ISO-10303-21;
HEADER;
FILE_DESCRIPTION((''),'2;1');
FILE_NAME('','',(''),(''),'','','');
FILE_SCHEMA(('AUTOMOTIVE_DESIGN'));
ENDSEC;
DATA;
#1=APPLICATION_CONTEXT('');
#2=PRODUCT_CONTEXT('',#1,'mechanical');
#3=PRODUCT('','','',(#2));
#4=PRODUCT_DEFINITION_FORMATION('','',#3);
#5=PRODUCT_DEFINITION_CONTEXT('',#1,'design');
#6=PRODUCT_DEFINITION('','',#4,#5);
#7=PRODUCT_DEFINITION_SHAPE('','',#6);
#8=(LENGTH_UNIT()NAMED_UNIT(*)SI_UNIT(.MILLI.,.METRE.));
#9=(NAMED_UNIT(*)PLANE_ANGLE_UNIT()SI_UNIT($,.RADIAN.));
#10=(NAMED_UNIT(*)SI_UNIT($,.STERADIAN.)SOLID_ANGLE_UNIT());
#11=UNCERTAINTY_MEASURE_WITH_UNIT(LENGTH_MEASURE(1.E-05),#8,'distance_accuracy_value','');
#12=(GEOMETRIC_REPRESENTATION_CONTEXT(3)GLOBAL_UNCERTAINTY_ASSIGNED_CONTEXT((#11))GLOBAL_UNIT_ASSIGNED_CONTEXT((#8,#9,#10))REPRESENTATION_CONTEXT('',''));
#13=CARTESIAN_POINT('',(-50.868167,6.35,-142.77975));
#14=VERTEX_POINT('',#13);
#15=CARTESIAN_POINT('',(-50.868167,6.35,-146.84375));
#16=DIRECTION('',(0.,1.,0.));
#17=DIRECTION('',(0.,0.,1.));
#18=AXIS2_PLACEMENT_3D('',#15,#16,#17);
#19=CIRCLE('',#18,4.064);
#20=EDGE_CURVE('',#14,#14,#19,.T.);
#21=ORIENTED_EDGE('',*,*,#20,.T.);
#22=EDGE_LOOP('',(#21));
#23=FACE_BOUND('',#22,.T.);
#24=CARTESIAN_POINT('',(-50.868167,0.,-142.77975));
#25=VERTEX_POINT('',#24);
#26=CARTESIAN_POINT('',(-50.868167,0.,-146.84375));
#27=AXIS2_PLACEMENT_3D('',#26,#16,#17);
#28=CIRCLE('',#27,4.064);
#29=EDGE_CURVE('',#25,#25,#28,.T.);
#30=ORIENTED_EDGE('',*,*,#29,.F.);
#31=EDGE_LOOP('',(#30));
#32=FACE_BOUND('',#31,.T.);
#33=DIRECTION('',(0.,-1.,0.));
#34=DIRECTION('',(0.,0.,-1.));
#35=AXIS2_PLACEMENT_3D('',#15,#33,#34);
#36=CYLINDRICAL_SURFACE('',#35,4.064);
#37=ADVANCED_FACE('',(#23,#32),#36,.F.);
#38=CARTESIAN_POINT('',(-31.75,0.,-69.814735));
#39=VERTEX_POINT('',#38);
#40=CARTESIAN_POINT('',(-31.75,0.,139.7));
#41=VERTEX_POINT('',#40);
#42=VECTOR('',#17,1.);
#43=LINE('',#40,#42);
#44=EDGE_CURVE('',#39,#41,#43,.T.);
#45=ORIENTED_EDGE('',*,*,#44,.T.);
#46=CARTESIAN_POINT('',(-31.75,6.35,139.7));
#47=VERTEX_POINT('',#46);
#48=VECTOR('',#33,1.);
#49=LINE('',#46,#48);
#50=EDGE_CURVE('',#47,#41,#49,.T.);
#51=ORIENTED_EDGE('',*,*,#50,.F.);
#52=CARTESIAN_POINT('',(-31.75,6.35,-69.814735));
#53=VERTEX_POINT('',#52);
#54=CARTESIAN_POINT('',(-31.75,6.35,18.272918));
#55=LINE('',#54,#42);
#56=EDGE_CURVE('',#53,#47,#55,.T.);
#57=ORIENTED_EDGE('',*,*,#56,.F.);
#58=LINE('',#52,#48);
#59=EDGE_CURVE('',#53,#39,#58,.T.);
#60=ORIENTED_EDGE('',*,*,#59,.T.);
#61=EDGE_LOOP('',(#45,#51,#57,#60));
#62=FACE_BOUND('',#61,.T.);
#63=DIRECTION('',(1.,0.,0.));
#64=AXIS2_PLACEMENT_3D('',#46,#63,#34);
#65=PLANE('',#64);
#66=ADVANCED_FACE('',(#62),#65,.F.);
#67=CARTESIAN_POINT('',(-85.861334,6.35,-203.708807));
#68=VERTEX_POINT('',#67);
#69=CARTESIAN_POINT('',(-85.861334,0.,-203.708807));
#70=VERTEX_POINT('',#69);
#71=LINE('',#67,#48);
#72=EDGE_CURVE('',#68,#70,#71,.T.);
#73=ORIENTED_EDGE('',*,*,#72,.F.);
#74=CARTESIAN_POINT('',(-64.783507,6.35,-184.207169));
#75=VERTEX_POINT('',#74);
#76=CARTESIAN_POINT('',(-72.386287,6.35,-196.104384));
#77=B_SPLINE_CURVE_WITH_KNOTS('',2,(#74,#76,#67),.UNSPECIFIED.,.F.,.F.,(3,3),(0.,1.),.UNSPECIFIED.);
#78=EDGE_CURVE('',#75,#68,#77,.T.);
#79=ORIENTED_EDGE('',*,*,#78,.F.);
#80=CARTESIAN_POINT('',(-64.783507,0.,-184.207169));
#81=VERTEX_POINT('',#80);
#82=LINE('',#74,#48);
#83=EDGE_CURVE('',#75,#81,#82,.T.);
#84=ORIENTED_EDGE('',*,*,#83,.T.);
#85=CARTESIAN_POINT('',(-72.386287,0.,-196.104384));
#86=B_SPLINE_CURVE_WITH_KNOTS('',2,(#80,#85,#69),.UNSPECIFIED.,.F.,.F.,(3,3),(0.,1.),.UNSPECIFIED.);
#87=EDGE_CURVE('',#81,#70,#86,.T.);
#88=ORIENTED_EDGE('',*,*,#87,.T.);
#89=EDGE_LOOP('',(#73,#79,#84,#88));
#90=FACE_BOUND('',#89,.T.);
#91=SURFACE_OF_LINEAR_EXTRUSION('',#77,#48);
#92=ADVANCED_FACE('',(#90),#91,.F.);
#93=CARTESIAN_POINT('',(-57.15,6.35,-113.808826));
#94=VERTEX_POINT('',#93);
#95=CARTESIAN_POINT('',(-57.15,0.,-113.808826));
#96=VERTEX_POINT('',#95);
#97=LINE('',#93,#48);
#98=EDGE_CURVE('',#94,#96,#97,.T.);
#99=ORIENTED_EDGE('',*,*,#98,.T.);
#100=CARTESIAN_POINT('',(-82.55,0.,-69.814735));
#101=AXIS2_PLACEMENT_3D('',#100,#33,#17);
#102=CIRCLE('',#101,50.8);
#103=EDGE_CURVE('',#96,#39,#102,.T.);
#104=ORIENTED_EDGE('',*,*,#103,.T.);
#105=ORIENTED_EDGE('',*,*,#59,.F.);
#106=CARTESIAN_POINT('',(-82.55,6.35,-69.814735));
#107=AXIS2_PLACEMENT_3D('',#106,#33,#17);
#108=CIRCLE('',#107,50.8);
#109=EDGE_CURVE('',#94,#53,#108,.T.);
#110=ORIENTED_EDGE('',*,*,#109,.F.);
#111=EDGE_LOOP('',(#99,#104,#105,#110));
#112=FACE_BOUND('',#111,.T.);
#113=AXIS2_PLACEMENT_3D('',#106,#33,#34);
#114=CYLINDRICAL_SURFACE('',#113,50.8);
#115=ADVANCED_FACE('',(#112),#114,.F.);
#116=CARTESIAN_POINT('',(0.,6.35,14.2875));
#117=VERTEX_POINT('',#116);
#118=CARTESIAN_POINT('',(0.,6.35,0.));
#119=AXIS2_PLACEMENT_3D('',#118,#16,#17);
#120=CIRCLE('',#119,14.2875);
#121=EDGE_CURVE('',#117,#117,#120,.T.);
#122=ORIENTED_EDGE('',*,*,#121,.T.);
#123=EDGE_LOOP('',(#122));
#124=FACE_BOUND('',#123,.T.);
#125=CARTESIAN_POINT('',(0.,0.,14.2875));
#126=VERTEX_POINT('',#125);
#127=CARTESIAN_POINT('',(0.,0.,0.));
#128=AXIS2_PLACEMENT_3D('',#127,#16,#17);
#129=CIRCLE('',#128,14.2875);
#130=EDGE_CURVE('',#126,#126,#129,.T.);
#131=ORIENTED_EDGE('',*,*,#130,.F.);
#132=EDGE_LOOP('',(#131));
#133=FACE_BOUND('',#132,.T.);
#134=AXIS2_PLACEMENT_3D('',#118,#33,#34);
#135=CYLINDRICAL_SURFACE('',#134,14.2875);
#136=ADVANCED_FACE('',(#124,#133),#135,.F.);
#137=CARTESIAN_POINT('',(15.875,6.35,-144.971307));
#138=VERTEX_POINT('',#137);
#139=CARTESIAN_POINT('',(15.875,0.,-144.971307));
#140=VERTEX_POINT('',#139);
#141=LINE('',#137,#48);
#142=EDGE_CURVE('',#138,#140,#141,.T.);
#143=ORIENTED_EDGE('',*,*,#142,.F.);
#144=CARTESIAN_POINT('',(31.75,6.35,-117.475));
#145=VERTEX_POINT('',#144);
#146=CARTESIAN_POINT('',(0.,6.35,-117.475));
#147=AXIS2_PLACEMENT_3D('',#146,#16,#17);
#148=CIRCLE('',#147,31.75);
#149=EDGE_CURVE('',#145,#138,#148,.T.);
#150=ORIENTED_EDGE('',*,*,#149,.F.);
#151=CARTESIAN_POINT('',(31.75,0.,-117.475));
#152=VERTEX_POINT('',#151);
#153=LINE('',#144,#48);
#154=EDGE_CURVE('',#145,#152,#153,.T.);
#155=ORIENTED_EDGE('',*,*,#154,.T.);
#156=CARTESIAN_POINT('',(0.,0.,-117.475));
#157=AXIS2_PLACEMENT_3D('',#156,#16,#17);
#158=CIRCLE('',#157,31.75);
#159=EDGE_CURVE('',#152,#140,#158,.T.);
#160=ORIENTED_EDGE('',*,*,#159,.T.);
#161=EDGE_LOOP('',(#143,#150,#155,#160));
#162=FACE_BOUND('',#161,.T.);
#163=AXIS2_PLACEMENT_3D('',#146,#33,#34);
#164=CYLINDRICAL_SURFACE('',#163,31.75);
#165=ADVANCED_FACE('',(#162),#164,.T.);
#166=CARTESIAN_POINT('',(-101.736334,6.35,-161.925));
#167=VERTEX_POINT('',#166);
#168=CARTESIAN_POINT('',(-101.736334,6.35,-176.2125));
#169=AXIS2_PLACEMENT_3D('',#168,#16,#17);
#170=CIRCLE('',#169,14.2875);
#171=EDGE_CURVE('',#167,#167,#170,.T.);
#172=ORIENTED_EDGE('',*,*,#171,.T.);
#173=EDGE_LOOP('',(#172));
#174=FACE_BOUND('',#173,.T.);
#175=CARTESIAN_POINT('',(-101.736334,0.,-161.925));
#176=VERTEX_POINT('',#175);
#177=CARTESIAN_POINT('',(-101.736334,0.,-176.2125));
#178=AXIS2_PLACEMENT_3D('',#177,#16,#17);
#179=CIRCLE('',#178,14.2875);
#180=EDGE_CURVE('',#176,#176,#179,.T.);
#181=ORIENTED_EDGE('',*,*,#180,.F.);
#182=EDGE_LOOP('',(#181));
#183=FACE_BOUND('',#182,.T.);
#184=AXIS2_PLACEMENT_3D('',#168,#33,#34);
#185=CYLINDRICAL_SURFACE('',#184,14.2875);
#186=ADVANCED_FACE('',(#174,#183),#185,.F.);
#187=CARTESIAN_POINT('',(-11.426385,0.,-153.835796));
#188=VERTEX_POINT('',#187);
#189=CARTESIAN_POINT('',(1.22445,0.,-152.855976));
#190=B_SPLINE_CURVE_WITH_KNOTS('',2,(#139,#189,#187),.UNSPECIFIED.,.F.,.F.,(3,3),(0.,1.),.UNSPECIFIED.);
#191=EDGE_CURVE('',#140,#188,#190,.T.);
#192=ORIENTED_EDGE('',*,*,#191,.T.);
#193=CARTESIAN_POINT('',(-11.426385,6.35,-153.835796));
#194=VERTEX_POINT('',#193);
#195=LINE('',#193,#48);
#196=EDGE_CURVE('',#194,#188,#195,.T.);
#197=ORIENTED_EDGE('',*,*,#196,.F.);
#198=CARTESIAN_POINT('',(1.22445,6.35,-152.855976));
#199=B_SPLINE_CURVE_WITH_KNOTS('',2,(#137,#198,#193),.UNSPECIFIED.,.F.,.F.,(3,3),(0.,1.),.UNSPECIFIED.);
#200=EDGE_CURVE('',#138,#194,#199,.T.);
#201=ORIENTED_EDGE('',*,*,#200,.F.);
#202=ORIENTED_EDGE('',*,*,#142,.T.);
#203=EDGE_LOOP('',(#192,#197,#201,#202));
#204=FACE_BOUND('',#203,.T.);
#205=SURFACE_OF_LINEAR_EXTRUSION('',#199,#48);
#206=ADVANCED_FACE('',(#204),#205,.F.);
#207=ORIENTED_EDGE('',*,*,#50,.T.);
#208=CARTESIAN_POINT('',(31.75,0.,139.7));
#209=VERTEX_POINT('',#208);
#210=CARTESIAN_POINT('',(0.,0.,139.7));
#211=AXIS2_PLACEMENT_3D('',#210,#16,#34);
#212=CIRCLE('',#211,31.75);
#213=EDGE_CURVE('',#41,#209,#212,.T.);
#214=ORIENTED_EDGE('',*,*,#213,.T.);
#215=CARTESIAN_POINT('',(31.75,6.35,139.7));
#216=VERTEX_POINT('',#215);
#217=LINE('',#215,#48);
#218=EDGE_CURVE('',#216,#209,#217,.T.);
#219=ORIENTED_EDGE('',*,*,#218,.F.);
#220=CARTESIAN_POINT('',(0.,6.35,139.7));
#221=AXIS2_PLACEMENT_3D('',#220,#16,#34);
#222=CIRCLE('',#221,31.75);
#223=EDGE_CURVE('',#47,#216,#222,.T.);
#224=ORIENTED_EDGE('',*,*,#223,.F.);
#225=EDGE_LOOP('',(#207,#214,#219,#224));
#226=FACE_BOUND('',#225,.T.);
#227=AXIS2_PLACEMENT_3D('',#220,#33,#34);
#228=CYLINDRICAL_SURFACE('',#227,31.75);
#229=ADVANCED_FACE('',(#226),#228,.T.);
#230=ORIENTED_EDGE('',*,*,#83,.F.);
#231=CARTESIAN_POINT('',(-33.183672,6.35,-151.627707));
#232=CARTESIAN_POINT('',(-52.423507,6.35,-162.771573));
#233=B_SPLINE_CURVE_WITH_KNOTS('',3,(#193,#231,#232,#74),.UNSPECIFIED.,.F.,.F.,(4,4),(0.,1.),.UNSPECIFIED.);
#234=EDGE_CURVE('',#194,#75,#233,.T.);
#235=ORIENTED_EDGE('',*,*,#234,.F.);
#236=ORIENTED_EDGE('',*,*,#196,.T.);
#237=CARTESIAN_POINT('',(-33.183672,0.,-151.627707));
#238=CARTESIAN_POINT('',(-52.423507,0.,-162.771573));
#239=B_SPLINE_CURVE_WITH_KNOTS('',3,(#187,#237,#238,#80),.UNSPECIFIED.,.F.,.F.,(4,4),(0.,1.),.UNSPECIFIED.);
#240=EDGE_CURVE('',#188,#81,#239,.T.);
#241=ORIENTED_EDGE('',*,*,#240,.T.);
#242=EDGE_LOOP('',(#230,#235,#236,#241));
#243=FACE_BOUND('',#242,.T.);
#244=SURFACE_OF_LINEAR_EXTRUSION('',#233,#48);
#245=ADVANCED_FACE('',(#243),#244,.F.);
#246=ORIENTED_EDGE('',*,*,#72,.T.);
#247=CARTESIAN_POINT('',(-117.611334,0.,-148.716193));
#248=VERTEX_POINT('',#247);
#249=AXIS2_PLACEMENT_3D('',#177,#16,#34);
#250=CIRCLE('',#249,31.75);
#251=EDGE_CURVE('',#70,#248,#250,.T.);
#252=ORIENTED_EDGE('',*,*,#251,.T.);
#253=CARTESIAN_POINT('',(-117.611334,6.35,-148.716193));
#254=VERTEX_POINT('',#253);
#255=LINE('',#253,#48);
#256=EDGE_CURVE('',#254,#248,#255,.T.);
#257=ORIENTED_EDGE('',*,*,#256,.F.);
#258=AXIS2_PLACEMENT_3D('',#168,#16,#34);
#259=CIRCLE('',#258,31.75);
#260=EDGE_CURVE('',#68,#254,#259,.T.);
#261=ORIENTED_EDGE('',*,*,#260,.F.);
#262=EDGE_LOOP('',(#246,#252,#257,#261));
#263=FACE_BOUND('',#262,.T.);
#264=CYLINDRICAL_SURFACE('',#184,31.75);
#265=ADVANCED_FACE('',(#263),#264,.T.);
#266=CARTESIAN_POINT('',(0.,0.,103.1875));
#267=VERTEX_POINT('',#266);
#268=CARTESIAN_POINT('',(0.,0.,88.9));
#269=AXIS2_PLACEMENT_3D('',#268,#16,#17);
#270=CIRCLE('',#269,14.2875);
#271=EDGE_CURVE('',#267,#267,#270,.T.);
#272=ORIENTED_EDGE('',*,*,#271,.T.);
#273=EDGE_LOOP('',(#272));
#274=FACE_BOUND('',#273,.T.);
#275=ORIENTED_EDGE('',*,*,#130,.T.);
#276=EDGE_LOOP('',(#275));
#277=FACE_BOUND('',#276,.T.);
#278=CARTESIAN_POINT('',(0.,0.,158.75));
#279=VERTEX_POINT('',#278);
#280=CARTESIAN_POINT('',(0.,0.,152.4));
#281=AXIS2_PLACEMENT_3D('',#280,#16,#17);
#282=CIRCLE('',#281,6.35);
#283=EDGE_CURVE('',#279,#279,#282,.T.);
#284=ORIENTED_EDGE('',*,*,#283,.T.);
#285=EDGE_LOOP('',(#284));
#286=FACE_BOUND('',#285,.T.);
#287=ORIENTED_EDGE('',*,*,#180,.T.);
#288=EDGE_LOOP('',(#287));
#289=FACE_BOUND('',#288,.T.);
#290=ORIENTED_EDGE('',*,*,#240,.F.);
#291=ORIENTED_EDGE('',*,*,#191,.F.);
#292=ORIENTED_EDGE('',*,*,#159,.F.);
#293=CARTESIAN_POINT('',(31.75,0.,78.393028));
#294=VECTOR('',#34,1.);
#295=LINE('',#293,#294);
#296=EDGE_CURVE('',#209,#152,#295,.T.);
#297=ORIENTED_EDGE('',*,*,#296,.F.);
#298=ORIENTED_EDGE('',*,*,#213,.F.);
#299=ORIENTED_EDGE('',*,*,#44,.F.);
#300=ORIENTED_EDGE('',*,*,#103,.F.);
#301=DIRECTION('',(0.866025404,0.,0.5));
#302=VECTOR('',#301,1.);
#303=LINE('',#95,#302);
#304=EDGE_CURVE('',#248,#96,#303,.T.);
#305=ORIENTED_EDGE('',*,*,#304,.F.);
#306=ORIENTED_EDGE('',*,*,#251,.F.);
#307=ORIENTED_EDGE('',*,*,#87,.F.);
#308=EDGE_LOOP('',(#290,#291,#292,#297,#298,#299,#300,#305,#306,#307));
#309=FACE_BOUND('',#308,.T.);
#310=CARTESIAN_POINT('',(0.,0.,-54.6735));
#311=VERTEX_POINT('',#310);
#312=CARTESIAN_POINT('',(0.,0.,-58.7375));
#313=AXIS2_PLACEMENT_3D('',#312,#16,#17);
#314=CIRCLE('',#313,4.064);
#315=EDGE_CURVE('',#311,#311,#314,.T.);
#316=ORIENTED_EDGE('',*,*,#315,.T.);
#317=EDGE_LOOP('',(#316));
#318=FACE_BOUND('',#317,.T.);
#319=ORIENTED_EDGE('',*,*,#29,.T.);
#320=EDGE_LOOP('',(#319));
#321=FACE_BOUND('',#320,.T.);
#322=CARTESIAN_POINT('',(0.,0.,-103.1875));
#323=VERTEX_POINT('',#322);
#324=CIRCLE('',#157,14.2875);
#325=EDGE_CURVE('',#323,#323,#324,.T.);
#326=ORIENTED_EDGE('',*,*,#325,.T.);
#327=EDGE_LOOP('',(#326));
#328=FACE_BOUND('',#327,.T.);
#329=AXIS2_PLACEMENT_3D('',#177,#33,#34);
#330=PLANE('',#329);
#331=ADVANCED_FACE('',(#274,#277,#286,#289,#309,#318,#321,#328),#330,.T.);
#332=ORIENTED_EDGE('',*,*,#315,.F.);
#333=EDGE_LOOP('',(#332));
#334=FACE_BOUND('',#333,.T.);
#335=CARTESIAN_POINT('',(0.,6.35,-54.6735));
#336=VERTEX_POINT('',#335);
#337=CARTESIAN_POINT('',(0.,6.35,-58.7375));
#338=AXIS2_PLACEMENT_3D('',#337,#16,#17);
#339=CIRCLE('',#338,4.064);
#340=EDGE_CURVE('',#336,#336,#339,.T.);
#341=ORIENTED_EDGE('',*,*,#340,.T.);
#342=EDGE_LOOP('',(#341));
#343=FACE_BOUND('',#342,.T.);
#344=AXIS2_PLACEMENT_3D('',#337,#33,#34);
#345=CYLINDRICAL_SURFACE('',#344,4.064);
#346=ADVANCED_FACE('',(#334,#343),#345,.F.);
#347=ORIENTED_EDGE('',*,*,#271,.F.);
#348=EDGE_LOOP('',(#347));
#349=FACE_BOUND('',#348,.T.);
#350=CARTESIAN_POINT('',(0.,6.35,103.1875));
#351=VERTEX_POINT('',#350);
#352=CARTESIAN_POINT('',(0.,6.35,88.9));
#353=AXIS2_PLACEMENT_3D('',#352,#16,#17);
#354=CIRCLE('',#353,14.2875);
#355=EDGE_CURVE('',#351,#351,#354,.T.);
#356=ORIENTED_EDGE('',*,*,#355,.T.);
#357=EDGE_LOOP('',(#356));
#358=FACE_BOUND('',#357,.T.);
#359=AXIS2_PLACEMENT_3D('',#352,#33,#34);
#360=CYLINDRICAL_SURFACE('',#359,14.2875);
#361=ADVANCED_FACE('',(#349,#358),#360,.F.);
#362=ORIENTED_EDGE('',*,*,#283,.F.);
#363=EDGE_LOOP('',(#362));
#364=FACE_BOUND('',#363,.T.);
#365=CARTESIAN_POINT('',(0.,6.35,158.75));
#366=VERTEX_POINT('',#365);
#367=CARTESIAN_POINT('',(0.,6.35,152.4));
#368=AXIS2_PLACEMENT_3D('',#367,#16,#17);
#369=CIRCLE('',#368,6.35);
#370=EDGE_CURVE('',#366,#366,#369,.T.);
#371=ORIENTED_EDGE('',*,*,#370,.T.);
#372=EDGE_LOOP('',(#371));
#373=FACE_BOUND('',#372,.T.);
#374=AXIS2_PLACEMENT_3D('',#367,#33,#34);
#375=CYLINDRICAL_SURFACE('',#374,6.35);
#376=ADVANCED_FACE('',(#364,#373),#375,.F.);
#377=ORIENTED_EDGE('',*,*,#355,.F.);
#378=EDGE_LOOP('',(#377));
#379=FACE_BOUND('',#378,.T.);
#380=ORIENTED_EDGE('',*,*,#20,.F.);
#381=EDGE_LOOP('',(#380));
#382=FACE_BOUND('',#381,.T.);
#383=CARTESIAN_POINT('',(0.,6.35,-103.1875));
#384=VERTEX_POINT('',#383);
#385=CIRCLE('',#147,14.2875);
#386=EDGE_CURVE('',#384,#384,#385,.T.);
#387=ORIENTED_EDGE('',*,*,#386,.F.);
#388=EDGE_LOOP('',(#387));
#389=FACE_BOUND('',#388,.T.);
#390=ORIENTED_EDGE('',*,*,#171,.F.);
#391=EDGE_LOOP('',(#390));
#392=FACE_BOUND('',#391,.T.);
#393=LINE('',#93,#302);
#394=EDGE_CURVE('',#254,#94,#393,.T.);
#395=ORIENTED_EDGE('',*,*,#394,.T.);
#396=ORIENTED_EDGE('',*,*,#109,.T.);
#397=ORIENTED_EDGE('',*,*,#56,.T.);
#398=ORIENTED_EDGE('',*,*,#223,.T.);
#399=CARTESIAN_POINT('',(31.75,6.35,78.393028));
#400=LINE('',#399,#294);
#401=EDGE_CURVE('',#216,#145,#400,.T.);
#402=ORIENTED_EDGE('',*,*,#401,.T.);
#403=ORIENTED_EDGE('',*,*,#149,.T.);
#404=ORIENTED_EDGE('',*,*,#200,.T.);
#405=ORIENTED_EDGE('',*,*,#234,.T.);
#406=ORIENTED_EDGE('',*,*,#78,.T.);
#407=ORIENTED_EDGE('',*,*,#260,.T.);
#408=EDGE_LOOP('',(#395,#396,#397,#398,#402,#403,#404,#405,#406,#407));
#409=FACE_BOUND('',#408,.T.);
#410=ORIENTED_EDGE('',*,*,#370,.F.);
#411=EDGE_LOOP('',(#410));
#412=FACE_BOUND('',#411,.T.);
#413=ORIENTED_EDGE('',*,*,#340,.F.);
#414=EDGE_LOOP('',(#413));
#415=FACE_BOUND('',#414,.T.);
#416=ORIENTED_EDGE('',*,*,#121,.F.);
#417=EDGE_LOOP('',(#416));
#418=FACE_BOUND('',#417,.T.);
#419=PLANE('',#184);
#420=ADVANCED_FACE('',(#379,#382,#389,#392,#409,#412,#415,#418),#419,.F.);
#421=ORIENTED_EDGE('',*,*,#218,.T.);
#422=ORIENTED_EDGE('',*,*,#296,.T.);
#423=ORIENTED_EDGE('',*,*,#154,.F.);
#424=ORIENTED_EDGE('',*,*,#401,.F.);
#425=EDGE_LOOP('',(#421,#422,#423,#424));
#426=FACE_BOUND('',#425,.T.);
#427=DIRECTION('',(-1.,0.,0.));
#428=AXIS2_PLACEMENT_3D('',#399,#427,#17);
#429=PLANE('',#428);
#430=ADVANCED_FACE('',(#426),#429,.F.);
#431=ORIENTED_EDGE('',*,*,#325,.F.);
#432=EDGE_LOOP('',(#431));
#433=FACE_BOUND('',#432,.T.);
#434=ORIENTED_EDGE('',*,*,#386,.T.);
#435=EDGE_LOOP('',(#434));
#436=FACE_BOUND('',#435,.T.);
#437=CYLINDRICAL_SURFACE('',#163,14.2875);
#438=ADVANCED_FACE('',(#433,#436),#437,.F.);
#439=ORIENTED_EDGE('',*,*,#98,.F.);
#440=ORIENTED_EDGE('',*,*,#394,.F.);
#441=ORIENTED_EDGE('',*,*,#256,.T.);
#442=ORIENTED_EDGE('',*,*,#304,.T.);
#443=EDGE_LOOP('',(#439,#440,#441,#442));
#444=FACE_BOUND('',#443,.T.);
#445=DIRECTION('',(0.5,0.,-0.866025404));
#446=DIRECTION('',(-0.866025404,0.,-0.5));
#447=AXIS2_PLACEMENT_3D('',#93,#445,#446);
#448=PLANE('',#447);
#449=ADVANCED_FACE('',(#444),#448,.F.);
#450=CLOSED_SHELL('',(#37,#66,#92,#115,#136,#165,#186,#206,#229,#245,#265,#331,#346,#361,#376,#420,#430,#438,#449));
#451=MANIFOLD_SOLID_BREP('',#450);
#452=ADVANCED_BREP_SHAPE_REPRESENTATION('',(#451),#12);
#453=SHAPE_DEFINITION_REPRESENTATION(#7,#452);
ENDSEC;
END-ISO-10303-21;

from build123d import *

# Parameters (mm, degrees)
SKETCH2_R           = 14.2875
SKETCH2_R_2         = 4.064
SKETCH2_R_3         = 6.35
BOSS_EXTRUDE1_DEPTH = 6.35


with BuildPart() as part:
    # Sketch2 → Boss-Extrude1 (new body)
    with BuildSketch(Plane(origin=(0, 0, 0), x_dir=(1, 0, 0), z_dir=(0, 1, 0))):
        with BuildLine():
            Line((31.75, -78.393028047), (31.75, 117.475))
            ThreePointArc((31.75, 117.475), (27.49630657, 133.35), (15.875, 144.97130657))
            add(Edge.make_bspline(
                [(-11.426385325, 153.835795689), (1.224450482, 152.855976047), (15.875, 144.97130657)],
                knots=[0, 0, 0, 1, 1, 1], degree=2))
            add(Edge.make_bspline(
                [(-64.783506655, 184.207168681), (-52.423507121, 162.771572898), (-33.18367174, 151.627706727), (-11.426385325, 153.835795689)],
                knots=[0, 0, 0, 0, 1, 1, 1, 1], degree=3))
            add(Edge.make_bspline(
                [(-85.86133431, 203.70880657), (-72.386286962, 196.104383794), (-64.783506655, 184.207168681)],
                knots=[0, 0, 0, 1, 1, 1], degree=2))
            ThreePointArc((-85.86133431, 203.70880657), (-129.23264088, 192.0875), (-117.61133431, 148.71619343))
            Line((-117.61133431, 148.71619343), (-57.15, 113.808825791))
            ThreePointArc((-57.15, 113.808825791), (-38.555909488, 95.214735278), (-31.75, 69.814735278))
            Line((-31.75, 69.814735278), (-31.75, -18.272918452))
            Line((-31.75, -18.272918452), (-31.75, -139.7))
            ThreePointArc((-31.75, -139.7), (0, -171.45), (31.75, -139.7))
            Line((31.75, -139.7), (31.75, -78.393028047))
        make_face()
        with Locations(Location((0, 0, 0), (0, 0, 270))):
            Circle(SKETCH2_R, mode=Mode.SUBTRACT)
        with Locations(Location((0, -88.9, 0), (0, 0, 270))):
            Circle(SKETCH2_R, mode=Mode.SUBTRACT)
        with Locations(Location((0, 117.475, 0), (0, 0, 270))):
            Circle(SKETCH2_R, mode=Mode.SUBTRACT)
        with Locations(Location((-101.73633431, 176.2125, 0), (0, 0, 270))):
            Circle(SKETCH2_R, mode=Mode.SUBTRACT)
        with Locations(Location((-50.868167155, 146.84375, 0), (0, 0, 270))):
            Circle(SKETCH2_R_2, mode=Mode.SUBTRACT)
        with Locations(Location((0, 58.7375, 0), (0, 0, 270))):
            Circle(SKETCH2_R_2, mode=Mode.SUBTRACT)
        with Locations(Location((0, -152.4, 0), (0, 0, 270))):
            Circle(SKETCH2_R_3, mode=Mode.SUBTRACT)
    extrude(amount=BOSS_EXTRUDE1_DEPTH)


solid = part.part
